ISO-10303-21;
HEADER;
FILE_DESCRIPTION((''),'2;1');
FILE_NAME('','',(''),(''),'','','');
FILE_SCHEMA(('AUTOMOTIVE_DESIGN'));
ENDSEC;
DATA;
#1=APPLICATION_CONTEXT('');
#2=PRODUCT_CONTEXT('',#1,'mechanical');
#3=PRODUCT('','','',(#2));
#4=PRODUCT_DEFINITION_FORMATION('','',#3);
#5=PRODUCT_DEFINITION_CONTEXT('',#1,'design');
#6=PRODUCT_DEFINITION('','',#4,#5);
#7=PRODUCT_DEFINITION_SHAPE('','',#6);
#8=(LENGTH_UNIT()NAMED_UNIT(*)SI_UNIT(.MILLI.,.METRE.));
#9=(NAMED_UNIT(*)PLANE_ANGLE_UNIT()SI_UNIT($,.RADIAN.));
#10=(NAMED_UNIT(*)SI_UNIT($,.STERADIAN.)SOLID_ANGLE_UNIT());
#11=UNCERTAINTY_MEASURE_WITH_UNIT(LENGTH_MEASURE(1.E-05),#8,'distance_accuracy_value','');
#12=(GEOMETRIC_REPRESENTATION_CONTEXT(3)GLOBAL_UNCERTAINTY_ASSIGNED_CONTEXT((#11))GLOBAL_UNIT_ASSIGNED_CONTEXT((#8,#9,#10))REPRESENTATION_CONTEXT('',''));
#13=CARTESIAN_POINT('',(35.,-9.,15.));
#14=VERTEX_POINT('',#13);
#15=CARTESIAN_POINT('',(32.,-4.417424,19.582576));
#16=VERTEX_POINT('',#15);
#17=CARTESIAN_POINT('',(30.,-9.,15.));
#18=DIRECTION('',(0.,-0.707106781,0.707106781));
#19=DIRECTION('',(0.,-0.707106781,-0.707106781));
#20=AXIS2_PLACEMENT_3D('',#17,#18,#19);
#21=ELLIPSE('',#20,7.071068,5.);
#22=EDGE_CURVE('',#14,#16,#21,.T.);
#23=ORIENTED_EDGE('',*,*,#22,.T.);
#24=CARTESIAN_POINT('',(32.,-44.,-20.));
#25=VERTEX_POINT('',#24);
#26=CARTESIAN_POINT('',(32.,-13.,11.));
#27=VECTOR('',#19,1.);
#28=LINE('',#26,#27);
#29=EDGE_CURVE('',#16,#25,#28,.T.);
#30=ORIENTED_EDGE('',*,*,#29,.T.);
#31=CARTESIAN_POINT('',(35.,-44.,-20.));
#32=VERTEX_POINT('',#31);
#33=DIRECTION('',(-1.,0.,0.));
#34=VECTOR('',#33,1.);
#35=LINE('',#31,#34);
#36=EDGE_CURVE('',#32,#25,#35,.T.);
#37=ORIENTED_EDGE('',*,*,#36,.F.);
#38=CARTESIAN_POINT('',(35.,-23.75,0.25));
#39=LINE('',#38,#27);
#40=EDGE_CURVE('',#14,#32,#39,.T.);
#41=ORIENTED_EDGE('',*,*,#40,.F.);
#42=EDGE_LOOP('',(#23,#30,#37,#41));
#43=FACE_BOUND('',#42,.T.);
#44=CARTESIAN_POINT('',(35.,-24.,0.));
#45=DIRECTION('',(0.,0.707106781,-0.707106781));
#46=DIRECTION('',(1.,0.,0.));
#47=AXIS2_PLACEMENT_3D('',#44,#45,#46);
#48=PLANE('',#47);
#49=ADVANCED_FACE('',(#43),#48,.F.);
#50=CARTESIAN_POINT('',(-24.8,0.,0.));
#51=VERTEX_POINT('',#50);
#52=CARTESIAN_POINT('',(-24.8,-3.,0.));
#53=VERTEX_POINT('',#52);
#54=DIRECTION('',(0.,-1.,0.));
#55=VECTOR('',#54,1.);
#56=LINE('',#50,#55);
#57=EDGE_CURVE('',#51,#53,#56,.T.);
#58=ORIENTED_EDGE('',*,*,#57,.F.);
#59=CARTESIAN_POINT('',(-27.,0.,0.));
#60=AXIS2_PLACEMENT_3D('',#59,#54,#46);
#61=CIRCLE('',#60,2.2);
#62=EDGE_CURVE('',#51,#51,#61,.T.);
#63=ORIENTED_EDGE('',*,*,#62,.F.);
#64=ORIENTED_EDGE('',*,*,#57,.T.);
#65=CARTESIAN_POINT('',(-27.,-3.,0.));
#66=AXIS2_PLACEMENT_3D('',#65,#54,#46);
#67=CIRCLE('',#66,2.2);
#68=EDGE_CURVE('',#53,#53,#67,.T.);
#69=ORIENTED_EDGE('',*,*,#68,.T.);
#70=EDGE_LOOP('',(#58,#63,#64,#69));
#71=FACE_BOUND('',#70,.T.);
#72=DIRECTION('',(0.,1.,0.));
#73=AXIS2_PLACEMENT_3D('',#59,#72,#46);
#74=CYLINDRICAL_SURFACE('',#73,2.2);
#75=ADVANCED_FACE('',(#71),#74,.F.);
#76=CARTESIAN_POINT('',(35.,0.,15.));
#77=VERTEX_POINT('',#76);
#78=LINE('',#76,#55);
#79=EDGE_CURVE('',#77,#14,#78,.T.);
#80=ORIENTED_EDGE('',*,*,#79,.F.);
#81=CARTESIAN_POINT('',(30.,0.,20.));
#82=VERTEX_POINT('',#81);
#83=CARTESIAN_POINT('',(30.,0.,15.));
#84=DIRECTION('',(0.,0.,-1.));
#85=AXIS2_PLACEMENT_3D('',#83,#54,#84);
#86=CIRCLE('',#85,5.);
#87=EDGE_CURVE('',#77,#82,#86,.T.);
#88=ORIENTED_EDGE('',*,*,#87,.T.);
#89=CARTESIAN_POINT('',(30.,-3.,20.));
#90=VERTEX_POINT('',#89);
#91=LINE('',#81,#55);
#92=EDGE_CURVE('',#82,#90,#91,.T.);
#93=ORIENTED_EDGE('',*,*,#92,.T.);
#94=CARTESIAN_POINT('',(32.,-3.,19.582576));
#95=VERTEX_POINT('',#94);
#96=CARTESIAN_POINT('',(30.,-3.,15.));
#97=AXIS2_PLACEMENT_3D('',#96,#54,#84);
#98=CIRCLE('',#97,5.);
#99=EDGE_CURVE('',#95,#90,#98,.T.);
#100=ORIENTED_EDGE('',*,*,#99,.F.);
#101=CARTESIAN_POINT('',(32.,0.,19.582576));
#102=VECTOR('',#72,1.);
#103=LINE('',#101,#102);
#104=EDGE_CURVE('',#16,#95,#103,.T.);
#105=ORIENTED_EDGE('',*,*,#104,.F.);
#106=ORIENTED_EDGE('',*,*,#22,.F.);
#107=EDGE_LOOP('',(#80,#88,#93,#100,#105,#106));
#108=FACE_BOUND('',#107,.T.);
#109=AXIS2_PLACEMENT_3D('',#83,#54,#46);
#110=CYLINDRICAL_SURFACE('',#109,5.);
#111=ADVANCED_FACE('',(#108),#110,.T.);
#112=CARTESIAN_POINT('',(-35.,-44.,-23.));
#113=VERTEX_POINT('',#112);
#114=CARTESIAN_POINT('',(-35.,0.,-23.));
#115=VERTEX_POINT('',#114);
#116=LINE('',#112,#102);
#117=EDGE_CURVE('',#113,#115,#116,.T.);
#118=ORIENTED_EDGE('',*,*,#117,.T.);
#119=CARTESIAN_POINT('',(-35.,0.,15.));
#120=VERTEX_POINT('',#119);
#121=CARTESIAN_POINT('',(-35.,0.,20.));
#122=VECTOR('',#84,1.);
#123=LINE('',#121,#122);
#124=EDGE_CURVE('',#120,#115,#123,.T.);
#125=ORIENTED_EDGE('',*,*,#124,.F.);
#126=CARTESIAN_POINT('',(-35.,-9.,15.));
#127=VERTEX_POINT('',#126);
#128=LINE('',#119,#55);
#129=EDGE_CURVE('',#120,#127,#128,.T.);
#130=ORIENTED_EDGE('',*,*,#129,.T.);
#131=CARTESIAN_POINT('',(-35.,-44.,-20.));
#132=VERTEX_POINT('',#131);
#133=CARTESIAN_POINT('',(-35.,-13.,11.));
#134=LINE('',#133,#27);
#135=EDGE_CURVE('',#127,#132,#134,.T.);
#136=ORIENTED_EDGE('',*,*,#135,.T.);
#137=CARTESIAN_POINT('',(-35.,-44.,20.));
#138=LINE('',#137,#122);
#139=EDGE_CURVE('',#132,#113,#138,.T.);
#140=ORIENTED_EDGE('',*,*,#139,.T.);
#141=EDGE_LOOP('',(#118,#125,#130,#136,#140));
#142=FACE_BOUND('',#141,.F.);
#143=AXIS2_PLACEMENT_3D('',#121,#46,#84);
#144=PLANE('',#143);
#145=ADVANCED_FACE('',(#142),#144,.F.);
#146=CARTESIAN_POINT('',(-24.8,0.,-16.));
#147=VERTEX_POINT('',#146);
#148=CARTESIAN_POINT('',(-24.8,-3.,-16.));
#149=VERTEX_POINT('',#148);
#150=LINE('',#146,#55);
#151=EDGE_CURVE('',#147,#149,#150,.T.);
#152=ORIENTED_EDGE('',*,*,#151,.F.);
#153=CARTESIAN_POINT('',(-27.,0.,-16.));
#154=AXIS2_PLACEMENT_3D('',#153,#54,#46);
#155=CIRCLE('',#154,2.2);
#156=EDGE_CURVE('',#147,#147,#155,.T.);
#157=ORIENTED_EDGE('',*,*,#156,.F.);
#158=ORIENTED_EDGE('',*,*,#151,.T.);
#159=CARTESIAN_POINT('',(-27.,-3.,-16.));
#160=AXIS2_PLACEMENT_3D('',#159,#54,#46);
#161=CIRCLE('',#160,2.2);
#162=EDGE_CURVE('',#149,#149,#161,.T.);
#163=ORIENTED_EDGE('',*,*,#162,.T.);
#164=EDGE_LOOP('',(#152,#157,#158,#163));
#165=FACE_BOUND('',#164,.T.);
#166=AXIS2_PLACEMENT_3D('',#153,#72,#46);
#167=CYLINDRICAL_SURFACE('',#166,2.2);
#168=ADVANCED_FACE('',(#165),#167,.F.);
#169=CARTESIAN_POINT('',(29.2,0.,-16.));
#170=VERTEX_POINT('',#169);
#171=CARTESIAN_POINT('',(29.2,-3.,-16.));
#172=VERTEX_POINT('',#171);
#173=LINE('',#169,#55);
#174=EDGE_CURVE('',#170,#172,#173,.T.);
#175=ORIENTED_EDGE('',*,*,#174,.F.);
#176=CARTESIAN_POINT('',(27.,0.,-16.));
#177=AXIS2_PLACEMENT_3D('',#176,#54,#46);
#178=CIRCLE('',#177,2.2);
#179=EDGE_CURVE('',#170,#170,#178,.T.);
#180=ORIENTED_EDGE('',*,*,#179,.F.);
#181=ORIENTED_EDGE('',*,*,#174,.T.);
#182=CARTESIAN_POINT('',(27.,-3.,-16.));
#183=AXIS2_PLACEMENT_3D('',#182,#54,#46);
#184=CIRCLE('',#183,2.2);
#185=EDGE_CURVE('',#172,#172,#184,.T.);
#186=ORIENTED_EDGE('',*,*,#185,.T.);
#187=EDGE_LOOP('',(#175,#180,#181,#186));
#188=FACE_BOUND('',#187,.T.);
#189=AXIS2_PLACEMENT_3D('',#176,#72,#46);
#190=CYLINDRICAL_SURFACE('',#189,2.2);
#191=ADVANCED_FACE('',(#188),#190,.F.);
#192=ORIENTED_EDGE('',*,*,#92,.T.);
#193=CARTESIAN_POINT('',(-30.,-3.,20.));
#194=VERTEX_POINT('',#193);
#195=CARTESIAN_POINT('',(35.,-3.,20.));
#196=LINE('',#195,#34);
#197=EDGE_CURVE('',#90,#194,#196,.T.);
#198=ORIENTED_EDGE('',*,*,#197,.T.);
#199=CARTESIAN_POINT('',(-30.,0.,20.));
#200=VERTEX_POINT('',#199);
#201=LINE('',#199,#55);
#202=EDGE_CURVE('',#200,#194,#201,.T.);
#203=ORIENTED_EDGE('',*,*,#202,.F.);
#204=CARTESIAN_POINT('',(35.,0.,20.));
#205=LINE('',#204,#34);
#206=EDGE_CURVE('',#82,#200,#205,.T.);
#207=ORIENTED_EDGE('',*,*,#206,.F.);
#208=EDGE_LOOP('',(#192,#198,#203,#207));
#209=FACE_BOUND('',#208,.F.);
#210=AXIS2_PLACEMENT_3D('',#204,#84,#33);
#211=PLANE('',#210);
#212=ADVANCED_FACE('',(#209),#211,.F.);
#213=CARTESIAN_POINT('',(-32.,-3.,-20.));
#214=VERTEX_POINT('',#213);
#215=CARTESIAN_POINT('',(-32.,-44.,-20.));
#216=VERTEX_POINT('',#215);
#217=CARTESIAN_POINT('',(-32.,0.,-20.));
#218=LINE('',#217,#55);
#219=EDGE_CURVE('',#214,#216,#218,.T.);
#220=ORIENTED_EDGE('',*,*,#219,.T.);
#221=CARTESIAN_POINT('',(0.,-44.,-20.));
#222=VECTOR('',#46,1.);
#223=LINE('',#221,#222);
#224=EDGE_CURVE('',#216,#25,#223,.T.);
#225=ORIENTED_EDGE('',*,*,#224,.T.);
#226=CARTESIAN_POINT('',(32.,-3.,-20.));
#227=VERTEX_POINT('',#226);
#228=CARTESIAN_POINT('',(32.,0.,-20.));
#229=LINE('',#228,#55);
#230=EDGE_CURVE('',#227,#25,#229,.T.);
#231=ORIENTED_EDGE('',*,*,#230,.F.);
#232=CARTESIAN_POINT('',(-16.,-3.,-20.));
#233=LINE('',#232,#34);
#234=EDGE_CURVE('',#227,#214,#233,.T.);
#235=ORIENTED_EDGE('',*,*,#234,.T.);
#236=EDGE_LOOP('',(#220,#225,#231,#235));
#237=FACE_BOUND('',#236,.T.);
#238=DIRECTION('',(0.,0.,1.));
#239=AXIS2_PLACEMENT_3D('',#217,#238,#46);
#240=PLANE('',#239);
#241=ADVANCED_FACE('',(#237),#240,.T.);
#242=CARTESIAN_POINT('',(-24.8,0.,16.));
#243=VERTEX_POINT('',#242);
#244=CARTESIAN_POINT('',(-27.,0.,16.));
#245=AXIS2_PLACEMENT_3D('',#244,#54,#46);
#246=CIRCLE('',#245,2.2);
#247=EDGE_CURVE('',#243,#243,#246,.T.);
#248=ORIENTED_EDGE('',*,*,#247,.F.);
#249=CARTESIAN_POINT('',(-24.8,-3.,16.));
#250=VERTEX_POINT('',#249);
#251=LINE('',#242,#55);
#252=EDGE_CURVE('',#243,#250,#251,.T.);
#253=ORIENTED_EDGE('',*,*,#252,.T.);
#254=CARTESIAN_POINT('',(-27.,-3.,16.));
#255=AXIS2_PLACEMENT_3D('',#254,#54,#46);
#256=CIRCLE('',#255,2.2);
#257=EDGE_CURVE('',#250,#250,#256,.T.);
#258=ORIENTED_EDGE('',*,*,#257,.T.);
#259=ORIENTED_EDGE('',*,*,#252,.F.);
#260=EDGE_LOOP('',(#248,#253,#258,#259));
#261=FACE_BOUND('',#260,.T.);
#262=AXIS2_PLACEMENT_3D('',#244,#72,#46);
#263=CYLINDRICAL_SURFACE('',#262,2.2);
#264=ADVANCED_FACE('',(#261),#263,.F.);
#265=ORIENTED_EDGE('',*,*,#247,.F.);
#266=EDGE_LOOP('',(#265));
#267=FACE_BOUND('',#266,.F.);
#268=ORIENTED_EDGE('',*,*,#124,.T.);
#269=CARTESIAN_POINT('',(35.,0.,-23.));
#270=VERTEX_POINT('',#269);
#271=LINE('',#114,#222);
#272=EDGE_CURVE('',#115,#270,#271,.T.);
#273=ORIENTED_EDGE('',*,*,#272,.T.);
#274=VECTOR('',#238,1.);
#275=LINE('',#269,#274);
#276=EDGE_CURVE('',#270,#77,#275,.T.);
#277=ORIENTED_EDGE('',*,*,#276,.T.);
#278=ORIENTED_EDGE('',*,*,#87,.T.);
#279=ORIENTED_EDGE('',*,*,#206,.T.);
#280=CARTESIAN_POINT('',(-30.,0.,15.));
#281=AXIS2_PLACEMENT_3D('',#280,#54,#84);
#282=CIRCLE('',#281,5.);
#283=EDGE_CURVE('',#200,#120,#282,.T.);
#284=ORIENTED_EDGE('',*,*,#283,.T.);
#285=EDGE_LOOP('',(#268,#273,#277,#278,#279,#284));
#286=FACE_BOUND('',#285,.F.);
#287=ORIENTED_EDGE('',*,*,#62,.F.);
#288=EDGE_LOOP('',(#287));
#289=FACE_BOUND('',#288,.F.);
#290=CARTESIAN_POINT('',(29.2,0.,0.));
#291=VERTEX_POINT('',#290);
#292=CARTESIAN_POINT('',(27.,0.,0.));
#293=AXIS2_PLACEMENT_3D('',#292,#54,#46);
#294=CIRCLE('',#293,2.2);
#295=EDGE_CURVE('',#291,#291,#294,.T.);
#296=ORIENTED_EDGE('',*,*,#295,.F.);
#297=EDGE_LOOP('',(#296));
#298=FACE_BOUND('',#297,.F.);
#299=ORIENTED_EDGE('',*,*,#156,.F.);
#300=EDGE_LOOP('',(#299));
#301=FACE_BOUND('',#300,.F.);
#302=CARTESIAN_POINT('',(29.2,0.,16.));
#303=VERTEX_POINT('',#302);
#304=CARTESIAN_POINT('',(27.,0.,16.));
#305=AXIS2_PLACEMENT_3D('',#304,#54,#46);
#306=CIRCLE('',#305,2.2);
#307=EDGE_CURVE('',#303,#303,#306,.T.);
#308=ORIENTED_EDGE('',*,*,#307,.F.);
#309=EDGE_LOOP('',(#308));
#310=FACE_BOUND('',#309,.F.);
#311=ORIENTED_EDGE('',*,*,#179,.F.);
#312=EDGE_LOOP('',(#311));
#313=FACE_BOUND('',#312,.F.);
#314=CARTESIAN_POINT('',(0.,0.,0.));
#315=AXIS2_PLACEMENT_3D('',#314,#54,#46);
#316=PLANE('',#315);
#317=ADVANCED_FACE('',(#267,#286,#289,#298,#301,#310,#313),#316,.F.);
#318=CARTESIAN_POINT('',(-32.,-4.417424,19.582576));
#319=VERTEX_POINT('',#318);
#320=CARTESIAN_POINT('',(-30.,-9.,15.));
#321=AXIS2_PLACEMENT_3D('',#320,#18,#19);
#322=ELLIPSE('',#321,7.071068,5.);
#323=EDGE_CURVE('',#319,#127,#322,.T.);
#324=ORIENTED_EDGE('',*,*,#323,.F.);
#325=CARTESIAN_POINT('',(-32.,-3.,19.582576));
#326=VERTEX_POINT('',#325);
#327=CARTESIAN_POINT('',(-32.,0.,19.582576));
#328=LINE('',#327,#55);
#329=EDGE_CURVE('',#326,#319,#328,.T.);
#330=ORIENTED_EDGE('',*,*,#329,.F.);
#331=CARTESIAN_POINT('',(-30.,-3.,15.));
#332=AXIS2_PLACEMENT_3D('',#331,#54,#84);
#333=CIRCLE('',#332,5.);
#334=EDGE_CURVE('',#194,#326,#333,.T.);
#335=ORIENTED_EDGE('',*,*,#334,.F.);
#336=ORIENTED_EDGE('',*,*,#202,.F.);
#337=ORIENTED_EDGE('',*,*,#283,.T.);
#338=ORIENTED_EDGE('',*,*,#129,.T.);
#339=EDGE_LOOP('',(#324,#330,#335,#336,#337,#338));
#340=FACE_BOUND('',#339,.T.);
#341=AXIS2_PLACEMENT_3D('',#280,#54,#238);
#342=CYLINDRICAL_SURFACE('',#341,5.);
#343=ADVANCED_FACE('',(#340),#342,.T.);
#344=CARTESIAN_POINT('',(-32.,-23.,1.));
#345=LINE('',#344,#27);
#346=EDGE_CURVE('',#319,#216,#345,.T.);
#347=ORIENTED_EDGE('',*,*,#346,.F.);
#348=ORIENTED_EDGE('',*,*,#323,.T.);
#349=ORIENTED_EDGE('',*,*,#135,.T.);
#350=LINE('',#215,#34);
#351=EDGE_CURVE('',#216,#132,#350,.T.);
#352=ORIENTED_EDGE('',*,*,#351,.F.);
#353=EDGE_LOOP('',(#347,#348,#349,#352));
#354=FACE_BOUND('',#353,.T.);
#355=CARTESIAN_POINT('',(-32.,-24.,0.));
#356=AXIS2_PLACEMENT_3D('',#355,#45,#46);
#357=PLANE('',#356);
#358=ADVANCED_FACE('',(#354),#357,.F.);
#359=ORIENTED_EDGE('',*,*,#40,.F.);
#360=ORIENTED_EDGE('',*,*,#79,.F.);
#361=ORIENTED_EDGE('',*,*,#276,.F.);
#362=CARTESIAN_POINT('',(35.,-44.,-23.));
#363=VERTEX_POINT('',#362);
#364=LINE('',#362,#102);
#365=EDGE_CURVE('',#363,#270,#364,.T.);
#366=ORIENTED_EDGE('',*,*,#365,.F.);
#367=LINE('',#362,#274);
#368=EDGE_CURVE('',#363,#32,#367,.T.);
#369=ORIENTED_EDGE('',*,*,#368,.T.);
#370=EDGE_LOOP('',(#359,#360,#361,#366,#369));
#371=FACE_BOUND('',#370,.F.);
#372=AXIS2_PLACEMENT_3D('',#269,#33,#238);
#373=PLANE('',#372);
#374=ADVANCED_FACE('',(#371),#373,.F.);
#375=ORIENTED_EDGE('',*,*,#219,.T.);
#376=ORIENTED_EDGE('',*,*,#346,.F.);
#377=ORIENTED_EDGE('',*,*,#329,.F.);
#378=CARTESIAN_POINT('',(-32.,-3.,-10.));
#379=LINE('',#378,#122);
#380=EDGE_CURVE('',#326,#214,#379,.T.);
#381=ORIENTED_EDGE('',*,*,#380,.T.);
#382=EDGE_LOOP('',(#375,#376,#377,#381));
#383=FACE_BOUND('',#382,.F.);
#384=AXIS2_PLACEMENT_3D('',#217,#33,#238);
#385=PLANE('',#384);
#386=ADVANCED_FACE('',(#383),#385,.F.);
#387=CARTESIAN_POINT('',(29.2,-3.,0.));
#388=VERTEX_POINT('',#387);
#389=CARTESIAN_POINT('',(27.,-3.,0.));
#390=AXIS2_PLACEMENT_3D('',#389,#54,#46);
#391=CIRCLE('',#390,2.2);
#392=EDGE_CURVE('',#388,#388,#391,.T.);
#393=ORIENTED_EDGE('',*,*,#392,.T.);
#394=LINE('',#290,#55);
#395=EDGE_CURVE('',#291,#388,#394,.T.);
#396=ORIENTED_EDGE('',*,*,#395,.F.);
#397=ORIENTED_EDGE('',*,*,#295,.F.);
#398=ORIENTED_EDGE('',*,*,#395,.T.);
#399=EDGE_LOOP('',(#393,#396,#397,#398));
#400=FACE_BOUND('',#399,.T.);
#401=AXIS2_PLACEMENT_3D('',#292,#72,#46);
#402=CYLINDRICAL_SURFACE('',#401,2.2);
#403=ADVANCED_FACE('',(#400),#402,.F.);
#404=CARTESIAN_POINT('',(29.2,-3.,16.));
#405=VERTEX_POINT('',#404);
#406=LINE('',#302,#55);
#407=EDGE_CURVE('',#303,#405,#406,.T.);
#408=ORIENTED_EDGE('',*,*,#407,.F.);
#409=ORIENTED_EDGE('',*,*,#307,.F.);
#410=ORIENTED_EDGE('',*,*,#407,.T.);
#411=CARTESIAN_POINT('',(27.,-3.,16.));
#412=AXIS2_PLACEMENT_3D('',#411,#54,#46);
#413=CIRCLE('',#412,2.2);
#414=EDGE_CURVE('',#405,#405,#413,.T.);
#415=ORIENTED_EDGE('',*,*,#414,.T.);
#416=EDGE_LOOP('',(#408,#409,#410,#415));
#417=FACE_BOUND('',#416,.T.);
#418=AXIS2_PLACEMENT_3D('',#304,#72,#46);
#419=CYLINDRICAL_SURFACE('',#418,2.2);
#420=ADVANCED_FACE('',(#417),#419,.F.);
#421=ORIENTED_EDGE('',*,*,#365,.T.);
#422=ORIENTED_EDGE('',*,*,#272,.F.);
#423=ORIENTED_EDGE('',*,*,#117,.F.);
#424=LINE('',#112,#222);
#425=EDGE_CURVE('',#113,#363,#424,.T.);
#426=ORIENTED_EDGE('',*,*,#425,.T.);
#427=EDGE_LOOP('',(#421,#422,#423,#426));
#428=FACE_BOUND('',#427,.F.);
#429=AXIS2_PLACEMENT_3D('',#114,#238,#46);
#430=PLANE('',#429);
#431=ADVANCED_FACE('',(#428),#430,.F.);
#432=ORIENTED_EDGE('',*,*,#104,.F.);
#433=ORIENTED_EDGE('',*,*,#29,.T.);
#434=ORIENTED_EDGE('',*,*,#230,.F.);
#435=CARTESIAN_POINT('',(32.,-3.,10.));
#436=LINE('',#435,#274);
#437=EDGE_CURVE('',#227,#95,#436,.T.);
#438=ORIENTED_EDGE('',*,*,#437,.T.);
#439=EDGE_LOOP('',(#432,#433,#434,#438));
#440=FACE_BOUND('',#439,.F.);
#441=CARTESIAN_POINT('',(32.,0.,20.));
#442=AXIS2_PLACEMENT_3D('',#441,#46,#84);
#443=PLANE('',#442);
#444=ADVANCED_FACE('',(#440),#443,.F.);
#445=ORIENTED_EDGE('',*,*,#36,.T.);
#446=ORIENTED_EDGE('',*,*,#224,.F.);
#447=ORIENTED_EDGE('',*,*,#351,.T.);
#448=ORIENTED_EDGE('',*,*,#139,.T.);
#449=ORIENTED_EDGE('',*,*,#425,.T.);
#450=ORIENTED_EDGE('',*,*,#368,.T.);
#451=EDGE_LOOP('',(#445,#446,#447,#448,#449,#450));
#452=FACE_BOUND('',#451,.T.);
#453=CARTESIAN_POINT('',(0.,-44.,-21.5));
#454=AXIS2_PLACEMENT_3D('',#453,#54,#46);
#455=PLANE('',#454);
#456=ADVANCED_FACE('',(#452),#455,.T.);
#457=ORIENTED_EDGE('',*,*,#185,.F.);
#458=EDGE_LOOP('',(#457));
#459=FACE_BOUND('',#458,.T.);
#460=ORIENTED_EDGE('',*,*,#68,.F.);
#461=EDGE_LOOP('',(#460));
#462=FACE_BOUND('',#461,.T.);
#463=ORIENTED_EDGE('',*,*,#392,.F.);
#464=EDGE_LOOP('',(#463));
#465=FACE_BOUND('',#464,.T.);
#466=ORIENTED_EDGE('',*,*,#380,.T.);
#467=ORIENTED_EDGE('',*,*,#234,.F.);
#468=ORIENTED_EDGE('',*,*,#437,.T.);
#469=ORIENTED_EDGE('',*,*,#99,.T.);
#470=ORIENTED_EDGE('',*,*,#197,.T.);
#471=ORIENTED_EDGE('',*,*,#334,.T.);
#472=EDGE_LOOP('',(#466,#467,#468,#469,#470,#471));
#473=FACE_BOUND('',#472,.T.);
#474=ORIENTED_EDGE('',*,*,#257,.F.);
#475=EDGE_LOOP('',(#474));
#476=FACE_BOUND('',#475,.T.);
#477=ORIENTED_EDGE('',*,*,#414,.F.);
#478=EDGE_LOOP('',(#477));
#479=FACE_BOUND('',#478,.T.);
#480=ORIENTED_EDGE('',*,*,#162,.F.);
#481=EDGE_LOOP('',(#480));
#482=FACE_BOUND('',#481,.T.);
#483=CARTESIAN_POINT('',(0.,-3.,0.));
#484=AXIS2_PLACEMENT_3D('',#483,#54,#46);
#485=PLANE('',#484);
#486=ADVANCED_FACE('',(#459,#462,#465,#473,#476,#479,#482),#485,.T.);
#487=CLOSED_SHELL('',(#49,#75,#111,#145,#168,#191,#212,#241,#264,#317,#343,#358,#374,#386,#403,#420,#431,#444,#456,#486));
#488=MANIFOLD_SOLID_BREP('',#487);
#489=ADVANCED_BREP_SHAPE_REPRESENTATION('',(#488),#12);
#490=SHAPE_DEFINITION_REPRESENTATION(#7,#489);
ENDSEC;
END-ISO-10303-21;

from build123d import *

# Parameters (mm, degrees)
F0_W     = 64
F0_H     = 40
F0_R     = 2.2
F0_H_2   = 3
F1_DEPTH = 3
F2_DEPTH = 44
F3_SIZE  = 40
F4_R     = 5


with BuildPart() as f1:
    # F0 (on Front) → F1 (new body)
    with BuildSketch(Plane.XZ):
        Rectangle(F0_W, F0_H)
        with Locations((-27, -16)):
            Circle(F0_R, mode=Mode.SUBTRACT)
        with Locations((27, -16)):
            Circle(F0_R, mode=Mode.SUBTRACT)
        with Locations((-27, 0)):
            Circle(F0_R, mode=Mode.SUBTRACT)
        with Locations((-27, 16)):
            Circle(F0_R, mode=Mode.SUBTRACT)
        with Locations((27, 0)):
            Circle(F0_R, mode=Mode.SUBTRACT)
        with Locations((27, 16)):
            Circle(F0_R, mode=Mode.SUBTRACT)
        Polygon((32, 20), (32, -20), (32, -23), (35, -23), (35, 20), align=None)
        Polygon((-32, -23), (-32, -20), (-32, 20), (-35, 20), (-35, -23), align=None)
        with Locations((0, -21.5)):
            Rectangle(F0_W, F0_H_2)
    extrude(amount=F1_DEPTH)

    # F0 (on Front) → F2 (join)
    with BuildSketch(Plane.XZ):
        with Locations((0, -21.5)):
            Rectangle(F0_W, F0_H_2)
        Polygon((32, 20), (32, -20), (32, -23), (35, -23), (35, 20), align=None)
        Polygon((-32, -23), (-32, -20), (-32, 20), (-35, 20), (-35, -23), align=None)
    extrude(amount=F2_DEPTH)

    # F3
    f3_edges = [f1.edges().sort_by_distance(p)[0] for p in [
        (-33.5, -44, 20),
        (33.5, -44, 20),
    ]]
    chamfer(f3_edges, length=F3_SIZE)

    # F4
    f4_edges = [f1.edges().sort_by_distance(p)[0] for p in [
        (35, -2, 20),
        (-35, -2, 20),
    ]]
    fillet(f4_edges, radius=F4_R)


solid = f1.part
